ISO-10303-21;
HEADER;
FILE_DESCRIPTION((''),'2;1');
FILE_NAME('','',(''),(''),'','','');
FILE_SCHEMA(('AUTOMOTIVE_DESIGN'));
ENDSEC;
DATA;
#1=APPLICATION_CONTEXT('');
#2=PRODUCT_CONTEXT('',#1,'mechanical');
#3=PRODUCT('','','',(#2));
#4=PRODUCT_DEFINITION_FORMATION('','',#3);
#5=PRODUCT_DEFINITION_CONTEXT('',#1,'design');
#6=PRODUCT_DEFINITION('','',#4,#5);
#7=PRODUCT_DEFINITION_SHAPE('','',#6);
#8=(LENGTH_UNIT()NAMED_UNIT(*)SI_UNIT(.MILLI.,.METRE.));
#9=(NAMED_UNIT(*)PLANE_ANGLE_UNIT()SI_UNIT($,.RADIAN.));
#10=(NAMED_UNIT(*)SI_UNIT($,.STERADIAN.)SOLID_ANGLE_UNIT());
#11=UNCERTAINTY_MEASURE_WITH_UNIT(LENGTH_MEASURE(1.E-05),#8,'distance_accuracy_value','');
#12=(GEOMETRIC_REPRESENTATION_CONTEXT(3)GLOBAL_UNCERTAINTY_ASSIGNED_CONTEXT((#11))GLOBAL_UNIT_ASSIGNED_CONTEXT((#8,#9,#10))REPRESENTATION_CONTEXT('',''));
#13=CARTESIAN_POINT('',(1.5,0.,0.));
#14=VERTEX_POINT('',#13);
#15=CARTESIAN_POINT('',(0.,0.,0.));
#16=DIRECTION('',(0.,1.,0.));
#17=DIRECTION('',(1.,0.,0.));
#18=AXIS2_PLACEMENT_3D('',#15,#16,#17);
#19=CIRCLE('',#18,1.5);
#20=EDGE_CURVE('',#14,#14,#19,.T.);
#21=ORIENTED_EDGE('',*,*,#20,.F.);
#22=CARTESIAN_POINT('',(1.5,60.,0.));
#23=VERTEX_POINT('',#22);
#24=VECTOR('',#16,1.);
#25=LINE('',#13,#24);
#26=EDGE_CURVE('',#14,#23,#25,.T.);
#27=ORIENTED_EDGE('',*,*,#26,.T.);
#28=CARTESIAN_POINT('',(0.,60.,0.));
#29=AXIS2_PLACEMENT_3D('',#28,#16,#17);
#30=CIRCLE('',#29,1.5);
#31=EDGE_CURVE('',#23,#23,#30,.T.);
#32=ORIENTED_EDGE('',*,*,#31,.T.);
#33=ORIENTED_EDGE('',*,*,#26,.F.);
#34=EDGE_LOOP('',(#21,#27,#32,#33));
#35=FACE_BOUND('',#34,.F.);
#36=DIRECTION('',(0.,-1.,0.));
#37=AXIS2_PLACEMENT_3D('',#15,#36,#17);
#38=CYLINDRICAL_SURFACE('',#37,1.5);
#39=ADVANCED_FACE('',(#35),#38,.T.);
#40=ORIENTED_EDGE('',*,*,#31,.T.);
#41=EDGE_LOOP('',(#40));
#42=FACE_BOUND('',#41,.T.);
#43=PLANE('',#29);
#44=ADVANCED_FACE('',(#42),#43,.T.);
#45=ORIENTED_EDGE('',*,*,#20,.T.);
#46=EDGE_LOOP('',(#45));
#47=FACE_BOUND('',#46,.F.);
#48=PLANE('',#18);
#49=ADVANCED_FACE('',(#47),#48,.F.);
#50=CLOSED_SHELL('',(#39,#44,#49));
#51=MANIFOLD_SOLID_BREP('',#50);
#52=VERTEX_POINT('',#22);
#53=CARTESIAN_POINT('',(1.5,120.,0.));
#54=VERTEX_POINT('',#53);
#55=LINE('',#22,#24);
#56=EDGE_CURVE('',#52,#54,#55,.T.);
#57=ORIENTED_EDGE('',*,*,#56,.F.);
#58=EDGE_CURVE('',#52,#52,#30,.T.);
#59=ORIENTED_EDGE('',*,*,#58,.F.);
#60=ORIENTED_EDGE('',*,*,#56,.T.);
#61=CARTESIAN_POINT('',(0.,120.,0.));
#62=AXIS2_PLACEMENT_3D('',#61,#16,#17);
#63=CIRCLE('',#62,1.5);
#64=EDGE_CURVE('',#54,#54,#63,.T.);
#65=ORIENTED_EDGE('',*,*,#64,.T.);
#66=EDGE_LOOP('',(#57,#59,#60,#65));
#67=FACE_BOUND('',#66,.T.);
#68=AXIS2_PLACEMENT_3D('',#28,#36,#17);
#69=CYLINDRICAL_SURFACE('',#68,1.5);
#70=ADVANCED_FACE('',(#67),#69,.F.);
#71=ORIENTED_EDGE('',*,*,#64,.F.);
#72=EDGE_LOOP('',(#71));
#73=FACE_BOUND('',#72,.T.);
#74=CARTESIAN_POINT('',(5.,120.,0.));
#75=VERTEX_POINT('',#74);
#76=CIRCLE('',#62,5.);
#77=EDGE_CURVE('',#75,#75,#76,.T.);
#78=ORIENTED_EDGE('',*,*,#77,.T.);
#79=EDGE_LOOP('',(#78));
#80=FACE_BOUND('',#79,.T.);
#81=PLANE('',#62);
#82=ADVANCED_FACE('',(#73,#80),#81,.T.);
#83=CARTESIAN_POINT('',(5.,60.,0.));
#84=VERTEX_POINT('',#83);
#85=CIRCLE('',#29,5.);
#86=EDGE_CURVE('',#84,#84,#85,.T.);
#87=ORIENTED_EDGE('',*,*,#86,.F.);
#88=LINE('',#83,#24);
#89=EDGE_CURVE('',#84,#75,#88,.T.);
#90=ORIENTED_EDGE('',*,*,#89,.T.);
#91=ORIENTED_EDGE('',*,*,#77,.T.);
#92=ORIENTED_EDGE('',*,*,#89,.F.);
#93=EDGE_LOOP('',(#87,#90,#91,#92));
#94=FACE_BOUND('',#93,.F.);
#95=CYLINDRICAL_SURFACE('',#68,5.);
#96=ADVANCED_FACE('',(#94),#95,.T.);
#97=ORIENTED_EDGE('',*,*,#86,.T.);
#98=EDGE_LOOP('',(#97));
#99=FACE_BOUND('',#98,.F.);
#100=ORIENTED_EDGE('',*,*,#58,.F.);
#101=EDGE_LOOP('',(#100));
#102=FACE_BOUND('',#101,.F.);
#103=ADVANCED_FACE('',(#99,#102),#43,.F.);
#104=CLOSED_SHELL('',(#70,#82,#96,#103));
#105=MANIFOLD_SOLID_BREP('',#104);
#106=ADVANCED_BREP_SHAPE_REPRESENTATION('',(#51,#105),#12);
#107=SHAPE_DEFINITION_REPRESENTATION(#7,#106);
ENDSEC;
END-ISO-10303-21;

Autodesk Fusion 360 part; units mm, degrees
sketch "Sketch1" plane through (0, 0, 0) normal (0, 1, 0) x (1, 0, 0)
  circle A0 centre (0, 0) radius 1.5
  circle A1 centre (0, 0) radius 5
  dimension "d1" = 3
  dimension "d2" = 10
extrude "Extrude1" add sketch "Sketch1" along normal blind 60 contours A0 makes body 1
extrude "Extrude2" add sketch "Sketch1" along normal blind 120 and the other way blind -60 separate body makes body 2
